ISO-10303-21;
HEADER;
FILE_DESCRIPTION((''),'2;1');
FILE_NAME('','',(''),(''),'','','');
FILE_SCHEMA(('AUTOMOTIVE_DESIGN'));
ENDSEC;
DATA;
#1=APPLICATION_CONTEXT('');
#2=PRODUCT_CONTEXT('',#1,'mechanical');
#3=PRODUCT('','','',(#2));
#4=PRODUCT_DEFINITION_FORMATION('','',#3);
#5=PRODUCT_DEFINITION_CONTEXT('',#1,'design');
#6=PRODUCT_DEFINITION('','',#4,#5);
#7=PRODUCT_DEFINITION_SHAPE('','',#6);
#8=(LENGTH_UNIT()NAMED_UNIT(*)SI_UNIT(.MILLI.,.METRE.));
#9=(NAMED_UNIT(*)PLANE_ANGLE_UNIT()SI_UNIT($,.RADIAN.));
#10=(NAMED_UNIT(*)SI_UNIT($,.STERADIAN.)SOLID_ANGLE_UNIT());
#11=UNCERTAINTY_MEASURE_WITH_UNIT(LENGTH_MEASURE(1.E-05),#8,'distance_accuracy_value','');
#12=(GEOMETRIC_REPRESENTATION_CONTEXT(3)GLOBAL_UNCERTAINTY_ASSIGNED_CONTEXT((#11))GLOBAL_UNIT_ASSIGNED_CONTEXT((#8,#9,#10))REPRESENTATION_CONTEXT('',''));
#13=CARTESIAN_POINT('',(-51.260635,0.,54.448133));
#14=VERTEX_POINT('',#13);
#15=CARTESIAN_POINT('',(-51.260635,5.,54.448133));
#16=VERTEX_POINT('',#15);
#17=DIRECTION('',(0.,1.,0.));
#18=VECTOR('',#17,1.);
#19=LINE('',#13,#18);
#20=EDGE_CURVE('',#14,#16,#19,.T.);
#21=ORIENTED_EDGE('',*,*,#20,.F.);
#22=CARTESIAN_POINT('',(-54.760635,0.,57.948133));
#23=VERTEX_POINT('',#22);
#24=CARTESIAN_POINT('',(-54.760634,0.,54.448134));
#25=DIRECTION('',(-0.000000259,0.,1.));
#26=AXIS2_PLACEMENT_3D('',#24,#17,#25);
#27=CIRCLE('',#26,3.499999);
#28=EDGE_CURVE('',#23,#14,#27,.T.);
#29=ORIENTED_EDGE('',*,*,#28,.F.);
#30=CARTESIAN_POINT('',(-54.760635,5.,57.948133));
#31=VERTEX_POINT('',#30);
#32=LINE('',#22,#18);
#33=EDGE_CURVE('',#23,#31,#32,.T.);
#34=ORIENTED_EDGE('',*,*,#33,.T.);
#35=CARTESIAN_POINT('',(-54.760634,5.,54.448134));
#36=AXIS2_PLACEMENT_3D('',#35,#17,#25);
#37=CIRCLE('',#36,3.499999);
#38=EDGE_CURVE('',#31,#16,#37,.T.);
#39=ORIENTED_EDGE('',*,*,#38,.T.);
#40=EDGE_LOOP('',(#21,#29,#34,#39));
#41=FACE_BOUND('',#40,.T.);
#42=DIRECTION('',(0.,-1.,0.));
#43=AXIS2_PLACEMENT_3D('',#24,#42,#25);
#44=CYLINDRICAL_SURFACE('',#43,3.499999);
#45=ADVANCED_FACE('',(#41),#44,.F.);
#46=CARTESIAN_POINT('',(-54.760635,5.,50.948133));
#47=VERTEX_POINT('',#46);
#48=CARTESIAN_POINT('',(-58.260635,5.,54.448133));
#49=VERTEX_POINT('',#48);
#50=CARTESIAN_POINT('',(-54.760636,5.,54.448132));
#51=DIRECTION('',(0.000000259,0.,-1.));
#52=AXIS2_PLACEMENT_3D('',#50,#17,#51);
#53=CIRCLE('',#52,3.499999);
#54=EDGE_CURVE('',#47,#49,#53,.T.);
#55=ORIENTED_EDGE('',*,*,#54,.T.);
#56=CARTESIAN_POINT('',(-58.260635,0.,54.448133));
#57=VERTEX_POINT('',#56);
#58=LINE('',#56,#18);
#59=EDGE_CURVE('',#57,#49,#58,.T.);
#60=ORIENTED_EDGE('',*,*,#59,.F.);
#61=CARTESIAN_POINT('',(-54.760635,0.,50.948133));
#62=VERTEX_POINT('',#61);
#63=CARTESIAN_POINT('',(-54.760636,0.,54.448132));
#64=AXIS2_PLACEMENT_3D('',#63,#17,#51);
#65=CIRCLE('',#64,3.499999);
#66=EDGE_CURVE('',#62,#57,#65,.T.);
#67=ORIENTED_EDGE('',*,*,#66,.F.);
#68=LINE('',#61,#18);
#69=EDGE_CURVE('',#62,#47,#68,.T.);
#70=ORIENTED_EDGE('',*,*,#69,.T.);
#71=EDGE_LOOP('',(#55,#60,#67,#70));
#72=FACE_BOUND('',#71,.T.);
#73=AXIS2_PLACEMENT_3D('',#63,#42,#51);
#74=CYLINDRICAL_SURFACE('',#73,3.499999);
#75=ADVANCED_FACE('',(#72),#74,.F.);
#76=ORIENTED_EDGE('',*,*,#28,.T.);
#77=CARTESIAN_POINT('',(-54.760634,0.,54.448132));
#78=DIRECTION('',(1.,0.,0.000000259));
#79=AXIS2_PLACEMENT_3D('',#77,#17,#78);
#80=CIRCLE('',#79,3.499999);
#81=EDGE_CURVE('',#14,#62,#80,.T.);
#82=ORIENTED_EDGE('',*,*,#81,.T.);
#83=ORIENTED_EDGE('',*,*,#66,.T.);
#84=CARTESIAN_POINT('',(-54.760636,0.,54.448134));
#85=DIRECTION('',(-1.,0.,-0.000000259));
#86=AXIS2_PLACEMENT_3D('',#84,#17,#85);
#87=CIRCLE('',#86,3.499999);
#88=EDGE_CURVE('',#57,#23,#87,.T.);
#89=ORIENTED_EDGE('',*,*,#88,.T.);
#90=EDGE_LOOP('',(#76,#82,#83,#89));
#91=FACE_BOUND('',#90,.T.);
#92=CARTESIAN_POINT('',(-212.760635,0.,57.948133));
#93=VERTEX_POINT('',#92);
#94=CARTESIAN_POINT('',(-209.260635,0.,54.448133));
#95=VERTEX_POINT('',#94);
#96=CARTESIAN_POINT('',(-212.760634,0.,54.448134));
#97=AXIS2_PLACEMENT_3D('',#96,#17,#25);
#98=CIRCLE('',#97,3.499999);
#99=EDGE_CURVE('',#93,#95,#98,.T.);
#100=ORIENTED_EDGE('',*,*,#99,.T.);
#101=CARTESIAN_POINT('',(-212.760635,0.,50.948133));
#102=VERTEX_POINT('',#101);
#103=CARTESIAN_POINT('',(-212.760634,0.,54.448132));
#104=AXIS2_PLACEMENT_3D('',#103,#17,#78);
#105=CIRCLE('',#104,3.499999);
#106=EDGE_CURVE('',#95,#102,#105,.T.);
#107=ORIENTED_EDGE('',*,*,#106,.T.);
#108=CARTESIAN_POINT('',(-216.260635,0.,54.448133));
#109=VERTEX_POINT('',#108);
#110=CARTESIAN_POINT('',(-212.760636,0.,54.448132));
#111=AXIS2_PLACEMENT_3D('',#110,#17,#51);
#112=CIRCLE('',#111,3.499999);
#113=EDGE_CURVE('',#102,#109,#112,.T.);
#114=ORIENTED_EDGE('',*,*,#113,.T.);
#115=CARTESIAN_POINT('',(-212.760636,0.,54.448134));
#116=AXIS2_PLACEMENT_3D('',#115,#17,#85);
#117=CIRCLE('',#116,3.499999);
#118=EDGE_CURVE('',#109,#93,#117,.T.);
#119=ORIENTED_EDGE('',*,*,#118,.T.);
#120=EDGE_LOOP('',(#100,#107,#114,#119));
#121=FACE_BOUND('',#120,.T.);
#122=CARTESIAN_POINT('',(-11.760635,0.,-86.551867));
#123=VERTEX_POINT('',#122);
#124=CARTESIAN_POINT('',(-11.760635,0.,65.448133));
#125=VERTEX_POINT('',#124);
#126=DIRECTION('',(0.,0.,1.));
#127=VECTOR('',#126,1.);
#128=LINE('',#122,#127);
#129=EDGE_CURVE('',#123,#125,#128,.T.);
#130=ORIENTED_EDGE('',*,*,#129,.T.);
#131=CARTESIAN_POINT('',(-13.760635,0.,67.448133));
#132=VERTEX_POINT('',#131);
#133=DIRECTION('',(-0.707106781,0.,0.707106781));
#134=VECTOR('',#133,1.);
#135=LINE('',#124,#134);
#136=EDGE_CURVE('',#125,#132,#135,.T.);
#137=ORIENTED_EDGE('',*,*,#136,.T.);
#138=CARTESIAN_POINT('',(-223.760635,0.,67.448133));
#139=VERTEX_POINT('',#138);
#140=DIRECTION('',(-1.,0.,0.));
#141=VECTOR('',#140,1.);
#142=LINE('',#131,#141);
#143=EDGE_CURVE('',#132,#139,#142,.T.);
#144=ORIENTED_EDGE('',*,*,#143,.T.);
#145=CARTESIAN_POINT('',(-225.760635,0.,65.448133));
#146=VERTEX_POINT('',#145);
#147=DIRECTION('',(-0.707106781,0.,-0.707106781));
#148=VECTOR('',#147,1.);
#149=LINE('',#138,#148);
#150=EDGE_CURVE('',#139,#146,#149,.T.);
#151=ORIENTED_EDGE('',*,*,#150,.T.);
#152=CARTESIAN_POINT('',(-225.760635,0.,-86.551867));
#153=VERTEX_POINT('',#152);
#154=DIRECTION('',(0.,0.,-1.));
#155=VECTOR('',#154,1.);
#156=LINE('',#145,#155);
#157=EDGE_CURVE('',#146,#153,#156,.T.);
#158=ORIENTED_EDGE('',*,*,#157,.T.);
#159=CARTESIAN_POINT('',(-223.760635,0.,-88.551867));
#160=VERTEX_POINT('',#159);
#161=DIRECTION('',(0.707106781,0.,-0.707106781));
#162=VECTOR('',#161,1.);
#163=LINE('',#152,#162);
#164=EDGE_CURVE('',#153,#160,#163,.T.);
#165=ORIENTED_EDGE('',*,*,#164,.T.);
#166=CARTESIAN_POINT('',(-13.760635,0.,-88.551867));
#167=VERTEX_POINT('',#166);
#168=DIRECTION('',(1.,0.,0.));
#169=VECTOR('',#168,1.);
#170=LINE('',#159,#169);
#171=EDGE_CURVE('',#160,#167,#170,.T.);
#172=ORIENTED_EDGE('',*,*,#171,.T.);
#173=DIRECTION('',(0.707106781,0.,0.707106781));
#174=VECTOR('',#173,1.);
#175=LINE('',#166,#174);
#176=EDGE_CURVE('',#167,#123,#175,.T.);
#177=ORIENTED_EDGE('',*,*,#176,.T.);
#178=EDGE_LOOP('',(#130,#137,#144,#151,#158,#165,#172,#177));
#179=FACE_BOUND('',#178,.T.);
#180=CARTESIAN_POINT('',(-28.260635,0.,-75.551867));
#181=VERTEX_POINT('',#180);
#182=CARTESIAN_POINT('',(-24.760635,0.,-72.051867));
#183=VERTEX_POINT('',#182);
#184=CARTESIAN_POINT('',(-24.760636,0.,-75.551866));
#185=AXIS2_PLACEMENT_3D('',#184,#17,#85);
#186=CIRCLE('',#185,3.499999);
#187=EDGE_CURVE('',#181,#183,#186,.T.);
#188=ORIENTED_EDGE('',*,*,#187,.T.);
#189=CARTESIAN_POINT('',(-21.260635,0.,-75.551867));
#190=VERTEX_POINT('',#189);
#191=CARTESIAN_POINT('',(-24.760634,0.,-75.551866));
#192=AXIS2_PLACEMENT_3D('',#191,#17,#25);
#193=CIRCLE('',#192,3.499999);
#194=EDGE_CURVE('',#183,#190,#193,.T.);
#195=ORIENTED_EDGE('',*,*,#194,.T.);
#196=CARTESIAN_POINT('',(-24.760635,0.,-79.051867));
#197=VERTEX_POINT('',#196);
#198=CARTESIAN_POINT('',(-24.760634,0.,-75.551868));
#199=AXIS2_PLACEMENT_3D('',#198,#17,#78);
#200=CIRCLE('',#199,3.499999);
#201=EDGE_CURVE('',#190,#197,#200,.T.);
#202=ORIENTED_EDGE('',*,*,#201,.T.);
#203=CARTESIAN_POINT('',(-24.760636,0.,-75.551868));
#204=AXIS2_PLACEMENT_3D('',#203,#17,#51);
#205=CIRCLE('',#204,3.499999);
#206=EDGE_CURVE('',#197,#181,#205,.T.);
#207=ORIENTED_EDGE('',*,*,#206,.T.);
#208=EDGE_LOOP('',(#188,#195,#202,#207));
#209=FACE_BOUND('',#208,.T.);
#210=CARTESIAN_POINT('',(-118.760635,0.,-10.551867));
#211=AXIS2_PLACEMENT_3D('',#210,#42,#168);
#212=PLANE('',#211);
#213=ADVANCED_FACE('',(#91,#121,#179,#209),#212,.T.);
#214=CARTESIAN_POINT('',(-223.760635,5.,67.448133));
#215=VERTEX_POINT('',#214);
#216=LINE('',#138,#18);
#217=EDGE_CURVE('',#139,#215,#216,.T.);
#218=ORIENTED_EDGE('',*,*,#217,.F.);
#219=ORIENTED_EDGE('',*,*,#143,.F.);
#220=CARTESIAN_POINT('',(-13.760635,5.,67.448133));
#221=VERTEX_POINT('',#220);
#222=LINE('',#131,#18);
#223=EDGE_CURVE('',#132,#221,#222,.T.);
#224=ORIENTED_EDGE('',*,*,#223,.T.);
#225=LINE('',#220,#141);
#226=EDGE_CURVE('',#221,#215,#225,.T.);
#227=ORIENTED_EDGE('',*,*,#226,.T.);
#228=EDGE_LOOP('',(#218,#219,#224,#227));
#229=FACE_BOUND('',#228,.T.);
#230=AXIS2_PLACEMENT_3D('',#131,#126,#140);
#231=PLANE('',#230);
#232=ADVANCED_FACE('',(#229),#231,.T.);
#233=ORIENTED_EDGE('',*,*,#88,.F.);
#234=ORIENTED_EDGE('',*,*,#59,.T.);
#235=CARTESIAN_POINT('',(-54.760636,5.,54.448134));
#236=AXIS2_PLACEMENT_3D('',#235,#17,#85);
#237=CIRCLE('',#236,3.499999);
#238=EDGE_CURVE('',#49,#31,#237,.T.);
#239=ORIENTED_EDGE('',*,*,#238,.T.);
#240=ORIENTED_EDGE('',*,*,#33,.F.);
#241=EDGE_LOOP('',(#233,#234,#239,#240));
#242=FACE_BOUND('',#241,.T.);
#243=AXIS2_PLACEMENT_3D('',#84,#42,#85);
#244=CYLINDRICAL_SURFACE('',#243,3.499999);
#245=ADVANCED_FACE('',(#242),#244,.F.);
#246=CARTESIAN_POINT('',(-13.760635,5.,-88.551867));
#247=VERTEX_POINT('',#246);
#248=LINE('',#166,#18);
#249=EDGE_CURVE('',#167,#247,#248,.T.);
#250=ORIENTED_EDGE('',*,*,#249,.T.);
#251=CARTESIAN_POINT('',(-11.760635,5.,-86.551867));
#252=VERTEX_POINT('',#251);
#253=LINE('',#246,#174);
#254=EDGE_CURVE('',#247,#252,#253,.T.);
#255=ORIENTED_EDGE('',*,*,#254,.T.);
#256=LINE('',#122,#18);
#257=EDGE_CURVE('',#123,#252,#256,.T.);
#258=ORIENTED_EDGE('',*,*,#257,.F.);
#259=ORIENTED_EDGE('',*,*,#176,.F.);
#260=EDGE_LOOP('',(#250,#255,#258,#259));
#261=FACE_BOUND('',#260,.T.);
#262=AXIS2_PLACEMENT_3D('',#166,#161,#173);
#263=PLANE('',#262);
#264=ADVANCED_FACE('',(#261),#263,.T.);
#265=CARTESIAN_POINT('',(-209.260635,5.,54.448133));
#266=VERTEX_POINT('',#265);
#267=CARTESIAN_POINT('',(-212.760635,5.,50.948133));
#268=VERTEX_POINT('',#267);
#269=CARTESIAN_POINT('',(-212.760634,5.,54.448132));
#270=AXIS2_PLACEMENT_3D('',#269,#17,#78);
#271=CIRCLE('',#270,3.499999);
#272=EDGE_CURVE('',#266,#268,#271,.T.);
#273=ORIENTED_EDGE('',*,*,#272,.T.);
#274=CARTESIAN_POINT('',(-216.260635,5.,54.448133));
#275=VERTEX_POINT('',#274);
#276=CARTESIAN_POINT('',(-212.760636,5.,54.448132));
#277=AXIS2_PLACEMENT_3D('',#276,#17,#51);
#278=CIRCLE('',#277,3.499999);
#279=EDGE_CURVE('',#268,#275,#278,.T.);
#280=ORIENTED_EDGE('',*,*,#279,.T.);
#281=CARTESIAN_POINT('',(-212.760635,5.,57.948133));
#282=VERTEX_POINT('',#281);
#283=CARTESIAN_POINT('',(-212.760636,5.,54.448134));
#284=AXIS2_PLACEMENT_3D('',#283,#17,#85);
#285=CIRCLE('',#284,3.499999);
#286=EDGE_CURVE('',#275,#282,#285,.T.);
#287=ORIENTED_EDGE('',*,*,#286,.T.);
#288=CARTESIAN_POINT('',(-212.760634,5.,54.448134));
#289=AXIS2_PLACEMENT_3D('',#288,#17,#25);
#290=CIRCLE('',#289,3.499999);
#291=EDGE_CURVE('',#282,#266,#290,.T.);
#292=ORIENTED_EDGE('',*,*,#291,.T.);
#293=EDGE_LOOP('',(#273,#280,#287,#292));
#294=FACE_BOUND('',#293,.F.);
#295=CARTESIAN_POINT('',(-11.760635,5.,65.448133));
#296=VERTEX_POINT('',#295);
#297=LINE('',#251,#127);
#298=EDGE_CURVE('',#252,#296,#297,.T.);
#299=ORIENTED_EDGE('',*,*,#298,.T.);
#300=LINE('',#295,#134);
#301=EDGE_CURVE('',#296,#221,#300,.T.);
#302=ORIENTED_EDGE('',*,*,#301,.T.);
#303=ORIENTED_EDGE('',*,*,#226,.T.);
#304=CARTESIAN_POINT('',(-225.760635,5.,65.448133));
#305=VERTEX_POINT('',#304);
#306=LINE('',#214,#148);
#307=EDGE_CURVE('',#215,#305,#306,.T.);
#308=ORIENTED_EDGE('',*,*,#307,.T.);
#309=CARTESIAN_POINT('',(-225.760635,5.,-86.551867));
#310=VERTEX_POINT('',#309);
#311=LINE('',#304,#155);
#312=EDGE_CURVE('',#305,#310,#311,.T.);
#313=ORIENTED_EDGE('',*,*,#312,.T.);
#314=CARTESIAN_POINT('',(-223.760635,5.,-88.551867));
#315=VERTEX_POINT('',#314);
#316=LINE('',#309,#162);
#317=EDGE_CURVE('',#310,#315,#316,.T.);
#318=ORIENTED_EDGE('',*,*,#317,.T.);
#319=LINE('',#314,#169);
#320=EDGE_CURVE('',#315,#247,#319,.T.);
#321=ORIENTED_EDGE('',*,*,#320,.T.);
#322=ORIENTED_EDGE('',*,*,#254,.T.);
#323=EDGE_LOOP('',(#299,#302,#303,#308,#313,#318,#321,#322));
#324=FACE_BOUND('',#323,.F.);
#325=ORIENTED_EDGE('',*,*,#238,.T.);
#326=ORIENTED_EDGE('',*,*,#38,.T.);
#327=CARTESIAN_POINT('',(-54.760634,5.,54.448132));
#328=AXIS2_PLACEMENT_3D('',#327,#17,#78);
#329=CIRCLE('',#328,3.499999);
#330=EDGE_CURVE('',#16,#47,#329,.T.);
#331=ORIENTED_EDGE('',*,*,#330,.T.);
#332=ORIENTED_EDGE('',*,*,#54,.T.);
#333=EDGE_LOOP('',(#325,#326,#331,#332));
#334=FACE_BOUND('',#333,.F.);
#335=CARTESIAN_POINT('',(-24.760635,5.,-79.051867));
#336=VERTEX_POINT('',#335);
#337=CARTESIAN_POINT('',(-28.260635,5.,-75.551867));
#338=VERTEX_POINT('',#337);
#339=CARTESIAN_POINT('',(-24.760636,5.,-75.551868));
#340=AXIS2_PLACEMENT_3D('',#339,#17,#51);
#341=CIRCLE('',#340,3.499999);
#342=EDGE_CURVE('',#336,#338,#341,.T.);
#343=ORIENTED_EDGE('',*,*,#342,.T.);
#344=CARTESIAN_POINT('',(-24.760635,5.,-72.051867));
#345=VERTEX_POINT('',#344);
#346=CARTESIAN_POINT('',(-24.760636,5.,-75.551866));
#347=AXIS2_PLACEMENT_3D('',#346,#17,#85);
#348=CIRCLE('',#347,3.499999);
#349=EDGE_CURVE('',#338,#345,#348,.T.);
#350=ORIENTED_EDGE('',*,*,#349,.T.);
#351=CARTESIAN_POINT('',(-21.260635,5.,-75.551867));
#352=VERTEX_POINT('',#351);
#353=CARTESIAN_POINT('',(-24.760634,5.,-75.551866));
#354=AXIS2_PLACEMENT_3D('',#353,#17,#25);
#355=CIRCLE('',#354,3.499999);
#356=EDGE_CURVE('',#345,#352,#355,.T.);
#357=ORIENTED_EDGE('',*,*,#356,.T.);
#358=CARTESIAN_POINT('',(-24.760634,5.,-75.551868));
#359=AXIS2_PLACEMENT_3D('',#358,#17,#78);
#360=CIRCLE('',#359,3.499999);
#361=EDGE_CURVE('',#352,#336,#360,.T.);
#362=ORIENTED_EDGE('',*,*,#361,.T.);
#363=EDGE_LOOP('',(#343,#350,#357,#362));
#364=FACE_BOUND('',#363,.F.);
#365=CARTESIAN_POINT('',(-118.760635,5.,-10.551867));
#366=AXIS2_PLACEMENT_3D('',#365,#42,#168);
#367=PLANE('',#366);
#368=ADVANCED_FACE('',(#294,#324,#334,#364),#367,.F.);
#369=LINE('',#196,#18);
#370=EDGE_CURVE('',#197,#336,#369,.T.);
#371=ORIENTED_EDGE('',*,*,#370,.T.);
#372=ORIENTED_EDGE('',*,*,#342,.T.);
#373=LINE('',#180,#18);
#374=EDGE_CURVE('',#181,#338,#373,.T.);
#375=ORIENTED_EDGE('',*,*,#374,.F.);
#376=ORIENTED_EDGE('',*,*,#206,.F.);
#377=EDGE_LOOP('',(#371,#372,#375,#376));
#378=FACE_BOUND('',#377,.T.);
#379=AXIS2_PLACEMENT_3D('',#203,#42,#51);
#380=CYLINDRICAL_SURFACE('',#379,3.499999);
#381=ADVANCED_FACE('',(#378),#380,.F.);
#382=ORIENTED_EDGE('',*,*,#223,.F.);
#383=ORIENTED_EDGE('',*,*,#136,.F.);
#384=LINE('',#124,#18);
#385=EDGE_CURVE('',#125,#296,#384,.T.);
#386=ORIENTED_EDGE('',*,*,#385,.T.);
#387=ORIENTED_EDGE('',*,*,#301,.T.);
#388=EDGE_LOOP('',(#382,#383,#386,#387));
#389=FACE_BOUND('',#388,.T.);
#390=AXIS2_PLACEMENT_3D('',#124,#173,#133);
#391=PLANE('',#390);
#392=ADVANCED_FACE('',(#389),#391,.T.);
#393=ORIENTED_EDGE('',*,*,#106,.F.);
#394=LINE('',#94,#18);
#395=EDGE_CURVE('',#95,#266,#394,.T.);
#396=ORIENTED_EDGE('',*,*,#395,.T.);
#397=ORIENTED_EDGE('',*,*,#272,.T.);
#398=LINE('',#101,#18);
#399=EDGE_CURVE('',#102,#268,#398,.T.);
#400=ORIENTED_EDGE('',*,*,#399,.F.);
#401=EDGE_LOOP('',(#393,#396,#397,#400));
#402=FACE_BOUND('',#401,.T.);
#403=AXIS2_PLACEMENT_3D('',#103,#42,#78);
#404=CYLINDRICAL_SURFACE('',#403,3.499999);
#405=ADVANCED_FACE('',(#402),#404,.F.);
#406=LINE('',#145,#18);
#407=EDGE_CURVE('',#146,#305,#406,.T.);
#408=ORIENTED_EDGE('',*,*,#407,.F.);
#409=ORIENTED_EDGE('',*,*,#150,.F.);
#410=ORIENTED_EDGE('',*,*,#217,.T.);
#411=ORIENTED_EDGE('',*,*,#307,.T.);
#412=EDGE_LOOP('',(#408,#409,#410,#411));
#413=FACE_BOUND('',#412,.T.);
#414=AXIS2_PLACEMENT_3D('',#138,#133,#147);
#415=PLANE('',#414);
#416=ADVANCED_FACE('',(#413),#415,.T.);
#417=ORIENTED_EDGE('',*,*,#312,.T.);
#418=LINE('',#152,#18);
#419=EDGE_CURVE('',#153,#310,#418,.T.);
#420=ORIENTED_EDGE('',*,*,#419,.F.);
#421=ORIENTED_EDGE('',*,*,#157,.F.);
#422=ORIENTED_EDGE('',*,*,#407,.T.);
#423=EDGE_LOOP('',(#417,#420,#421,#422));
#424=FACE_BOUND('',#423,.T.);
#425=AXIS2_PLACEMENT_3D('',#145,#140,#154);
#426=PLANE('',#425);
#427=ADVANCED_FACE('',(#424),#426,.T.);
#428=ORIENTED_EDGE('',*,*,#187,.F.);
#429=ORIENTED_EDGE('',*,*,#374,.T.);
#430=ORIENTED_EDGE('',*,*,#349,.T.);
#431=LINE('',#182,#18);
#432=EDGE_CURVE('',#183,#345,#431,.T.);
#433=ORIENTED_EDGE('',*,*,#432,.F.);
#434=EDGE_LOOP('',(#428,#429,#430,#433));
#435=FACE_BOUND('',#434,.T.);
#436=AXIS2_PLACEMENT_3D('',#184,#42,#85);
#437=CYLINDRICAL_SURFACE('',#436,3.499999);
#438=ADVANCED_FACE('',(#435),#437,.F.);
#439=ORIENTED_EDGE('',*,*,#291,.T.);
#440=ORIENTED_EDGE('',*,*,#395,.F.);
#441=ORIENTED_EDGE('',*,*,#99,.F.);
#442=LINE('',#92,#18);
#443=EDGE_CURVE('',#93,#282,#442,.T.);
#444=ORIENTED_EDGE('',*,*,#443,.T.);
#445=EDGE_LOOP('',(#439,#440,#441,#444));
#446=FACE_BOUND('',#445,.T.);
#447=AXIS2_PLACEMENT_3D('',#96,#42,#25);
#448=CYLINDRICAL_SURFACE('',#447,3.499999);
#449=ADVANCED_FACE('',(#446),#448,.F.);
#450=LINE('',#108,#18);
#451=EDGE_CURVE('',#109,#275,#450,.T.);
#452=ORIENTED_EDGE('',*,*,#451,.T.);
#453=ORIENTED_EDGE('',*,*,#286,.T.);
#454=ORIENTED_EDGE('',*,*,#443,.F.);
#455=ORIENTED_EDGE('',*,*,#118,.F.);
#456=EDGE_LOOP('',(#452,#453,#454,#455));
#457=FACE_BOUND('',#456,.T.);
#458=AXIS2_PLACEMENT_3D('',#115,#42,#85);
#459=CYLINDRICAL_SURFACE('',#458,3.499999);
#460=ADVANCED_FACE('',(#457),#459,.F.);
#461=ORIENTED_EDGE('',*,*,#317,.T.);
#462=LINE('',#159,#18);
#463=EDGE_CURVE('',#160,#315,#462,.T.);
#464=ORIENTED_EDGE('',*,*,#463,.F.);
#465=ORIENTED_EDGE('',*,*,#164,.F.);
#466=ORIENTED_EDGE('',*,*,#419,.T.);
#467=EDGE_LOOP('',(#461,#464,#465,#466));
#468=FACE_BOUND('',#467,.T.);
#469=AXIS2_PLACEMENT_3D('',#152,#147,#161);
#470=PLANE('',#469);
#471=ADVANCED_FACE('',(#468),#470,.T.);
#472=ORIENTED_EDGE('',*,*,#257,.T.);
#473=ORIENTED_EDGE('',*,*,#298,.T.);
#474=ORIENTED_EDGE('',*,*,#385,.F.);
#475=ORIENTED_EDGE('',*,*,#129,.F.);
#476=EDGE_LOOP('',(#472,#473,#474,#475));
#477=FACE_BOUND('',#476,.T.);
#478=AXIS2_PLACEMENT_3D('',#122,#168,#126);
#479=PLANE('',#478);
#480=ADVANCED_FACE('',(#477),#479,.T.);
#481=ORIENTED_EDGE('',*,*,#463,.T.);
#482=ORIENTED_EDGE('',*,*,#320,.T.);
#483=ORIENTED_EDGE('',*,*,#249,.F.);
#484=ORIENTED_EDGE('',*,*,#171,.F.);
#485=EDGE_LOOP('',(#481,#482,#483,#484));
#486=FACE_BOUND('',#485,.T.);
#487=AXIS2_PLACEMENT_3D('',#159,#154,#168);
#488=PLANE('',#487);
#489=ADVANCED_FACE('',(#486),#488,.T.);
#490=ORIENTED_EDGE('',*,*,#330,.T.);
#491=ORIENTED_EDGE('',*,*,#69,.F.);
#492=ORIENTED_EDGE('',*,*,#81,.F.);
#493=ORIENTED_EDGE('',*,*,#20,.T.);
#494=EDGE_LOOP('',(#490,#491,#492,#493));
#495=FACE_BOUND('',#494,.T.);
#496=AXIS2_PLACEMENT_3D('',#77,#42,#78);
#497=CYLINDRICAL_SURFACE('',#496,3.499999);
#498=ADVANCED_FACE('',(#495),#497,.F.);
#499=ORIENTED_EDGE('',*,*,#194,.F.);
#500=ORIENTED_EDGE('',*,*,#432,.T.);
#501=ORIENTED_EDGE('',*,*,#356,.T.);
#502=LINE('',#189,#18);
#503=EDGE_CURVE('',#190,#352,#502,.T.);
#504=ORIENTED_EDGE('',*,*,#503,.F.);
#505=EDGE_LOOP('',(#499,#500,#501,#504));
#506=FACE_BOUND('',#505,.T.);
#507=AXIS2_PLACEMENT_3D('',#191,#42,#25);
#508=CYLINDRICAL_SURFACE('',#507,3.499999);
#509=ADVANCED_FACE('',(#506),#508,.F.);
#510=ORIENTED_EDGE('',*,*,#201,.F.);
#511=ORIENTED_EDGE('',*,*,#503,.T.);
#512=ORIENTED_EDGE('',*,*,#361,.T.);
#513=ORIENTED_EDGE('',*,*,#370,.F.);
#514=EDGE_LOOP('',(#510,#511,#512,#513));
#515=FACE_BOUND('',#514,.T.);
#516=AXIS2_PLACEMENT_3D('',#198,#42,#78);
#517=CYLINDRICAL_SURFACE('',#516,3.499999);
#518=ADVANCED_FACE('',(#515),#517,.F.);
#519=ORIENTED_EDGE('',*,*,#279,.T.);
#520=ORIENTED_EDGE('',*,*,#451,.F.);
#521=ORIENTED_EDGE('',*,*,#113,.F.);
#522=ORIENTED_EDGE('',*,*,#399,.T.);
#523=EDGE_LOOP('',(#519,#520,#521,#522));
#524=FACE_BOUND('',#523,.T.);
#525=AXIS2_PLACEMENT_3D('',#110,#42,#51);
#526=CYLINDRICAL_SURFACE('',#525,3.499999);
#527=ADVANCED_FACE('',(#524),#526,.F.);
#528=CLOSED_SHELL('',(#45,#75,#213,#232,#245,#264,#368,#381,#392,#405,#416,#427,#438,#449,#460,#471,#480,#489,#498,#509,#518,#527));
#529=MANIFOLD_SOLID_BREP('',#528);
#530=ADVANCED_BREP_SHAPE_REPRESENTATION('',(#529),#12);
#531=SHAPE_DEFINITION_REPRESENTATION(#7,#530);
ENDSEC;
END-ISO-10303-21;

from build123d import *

# Parameters (mm, degrees)
F1_DEPTH = 5


with BuildPart() as f1:
    # F0 (on Front) → F1 (new body)
    with BuildSketch(Plane.XZ):
        Polygon((-223.760635, 67.448133), (-225.760635, 65.448133), (-225.760635, -86.551867), (-223.760635, -88.551867), (-13.760635, -88.551867), (-11.760635, -86.551867), (-11.760635, 65.448133), (-13.760635, 67.448133), align=None)
        with BuildLine():
            ThreePointArc((-24.760635, -72.051867), (-22.285761, -73.076993), (-21.260635, -75.551867))
            ThreePointArc((-21.260635, -75.551867), (-22.285761, -78.026741), (-24.760635, -79.051867))
            ThreePointArc((-24.760635, -79.051867), (-27.235509, -78.026741), (-28.260635, -75.551867))
            ThreePointArc((-28.260635, -75.551867), (-27.235509, -73.076993), (-24.760635, -72.051867))
        make_face(mode=Mode.SUBTRACT)
        with BuildLine():
            ThreePointArc((-212.760635, 57.948133), (-210.285761, 56.923007), (-209.260635, 54.448133))
            ThreePointArc((-209.260635, 54.448133), (-210.285761, 51.973259), (-212.760635, 50.948133))
            ThreePointArc((-212.760635, 50.948133), (-215.235509, 51.973259), (-216.260635, 54.448133))
            ThreePointArc((-216.260635, 54.448133), (-215.235509, 56.923007), (-212.760635, 57.948133))
        make_face(mode=Mode.SUBTRACT)
        with BuildLine():
            ThreePointArc((-54.760635, 57.948133), (-52.285761, 56.923007), (-51.260635, 54.448133))
            ThreePointArc((-51.260635, 54.448133), (-52.285761, 51.973259), (-54.760635, 50.948133))
            ThreePointArc((-54.760635, 50.948133), (-57.235509, 51.973259), (-58.260635, 54.448133))
            ThreePointArc((-58.260635, 54.448133), (-57.235509, 56.923007), (-54.760635, 57.948133))
        make_face(mode=Mode.SUBTRACT)
    extrude(amount=-F1_DEPTH)


solid = f1.part
